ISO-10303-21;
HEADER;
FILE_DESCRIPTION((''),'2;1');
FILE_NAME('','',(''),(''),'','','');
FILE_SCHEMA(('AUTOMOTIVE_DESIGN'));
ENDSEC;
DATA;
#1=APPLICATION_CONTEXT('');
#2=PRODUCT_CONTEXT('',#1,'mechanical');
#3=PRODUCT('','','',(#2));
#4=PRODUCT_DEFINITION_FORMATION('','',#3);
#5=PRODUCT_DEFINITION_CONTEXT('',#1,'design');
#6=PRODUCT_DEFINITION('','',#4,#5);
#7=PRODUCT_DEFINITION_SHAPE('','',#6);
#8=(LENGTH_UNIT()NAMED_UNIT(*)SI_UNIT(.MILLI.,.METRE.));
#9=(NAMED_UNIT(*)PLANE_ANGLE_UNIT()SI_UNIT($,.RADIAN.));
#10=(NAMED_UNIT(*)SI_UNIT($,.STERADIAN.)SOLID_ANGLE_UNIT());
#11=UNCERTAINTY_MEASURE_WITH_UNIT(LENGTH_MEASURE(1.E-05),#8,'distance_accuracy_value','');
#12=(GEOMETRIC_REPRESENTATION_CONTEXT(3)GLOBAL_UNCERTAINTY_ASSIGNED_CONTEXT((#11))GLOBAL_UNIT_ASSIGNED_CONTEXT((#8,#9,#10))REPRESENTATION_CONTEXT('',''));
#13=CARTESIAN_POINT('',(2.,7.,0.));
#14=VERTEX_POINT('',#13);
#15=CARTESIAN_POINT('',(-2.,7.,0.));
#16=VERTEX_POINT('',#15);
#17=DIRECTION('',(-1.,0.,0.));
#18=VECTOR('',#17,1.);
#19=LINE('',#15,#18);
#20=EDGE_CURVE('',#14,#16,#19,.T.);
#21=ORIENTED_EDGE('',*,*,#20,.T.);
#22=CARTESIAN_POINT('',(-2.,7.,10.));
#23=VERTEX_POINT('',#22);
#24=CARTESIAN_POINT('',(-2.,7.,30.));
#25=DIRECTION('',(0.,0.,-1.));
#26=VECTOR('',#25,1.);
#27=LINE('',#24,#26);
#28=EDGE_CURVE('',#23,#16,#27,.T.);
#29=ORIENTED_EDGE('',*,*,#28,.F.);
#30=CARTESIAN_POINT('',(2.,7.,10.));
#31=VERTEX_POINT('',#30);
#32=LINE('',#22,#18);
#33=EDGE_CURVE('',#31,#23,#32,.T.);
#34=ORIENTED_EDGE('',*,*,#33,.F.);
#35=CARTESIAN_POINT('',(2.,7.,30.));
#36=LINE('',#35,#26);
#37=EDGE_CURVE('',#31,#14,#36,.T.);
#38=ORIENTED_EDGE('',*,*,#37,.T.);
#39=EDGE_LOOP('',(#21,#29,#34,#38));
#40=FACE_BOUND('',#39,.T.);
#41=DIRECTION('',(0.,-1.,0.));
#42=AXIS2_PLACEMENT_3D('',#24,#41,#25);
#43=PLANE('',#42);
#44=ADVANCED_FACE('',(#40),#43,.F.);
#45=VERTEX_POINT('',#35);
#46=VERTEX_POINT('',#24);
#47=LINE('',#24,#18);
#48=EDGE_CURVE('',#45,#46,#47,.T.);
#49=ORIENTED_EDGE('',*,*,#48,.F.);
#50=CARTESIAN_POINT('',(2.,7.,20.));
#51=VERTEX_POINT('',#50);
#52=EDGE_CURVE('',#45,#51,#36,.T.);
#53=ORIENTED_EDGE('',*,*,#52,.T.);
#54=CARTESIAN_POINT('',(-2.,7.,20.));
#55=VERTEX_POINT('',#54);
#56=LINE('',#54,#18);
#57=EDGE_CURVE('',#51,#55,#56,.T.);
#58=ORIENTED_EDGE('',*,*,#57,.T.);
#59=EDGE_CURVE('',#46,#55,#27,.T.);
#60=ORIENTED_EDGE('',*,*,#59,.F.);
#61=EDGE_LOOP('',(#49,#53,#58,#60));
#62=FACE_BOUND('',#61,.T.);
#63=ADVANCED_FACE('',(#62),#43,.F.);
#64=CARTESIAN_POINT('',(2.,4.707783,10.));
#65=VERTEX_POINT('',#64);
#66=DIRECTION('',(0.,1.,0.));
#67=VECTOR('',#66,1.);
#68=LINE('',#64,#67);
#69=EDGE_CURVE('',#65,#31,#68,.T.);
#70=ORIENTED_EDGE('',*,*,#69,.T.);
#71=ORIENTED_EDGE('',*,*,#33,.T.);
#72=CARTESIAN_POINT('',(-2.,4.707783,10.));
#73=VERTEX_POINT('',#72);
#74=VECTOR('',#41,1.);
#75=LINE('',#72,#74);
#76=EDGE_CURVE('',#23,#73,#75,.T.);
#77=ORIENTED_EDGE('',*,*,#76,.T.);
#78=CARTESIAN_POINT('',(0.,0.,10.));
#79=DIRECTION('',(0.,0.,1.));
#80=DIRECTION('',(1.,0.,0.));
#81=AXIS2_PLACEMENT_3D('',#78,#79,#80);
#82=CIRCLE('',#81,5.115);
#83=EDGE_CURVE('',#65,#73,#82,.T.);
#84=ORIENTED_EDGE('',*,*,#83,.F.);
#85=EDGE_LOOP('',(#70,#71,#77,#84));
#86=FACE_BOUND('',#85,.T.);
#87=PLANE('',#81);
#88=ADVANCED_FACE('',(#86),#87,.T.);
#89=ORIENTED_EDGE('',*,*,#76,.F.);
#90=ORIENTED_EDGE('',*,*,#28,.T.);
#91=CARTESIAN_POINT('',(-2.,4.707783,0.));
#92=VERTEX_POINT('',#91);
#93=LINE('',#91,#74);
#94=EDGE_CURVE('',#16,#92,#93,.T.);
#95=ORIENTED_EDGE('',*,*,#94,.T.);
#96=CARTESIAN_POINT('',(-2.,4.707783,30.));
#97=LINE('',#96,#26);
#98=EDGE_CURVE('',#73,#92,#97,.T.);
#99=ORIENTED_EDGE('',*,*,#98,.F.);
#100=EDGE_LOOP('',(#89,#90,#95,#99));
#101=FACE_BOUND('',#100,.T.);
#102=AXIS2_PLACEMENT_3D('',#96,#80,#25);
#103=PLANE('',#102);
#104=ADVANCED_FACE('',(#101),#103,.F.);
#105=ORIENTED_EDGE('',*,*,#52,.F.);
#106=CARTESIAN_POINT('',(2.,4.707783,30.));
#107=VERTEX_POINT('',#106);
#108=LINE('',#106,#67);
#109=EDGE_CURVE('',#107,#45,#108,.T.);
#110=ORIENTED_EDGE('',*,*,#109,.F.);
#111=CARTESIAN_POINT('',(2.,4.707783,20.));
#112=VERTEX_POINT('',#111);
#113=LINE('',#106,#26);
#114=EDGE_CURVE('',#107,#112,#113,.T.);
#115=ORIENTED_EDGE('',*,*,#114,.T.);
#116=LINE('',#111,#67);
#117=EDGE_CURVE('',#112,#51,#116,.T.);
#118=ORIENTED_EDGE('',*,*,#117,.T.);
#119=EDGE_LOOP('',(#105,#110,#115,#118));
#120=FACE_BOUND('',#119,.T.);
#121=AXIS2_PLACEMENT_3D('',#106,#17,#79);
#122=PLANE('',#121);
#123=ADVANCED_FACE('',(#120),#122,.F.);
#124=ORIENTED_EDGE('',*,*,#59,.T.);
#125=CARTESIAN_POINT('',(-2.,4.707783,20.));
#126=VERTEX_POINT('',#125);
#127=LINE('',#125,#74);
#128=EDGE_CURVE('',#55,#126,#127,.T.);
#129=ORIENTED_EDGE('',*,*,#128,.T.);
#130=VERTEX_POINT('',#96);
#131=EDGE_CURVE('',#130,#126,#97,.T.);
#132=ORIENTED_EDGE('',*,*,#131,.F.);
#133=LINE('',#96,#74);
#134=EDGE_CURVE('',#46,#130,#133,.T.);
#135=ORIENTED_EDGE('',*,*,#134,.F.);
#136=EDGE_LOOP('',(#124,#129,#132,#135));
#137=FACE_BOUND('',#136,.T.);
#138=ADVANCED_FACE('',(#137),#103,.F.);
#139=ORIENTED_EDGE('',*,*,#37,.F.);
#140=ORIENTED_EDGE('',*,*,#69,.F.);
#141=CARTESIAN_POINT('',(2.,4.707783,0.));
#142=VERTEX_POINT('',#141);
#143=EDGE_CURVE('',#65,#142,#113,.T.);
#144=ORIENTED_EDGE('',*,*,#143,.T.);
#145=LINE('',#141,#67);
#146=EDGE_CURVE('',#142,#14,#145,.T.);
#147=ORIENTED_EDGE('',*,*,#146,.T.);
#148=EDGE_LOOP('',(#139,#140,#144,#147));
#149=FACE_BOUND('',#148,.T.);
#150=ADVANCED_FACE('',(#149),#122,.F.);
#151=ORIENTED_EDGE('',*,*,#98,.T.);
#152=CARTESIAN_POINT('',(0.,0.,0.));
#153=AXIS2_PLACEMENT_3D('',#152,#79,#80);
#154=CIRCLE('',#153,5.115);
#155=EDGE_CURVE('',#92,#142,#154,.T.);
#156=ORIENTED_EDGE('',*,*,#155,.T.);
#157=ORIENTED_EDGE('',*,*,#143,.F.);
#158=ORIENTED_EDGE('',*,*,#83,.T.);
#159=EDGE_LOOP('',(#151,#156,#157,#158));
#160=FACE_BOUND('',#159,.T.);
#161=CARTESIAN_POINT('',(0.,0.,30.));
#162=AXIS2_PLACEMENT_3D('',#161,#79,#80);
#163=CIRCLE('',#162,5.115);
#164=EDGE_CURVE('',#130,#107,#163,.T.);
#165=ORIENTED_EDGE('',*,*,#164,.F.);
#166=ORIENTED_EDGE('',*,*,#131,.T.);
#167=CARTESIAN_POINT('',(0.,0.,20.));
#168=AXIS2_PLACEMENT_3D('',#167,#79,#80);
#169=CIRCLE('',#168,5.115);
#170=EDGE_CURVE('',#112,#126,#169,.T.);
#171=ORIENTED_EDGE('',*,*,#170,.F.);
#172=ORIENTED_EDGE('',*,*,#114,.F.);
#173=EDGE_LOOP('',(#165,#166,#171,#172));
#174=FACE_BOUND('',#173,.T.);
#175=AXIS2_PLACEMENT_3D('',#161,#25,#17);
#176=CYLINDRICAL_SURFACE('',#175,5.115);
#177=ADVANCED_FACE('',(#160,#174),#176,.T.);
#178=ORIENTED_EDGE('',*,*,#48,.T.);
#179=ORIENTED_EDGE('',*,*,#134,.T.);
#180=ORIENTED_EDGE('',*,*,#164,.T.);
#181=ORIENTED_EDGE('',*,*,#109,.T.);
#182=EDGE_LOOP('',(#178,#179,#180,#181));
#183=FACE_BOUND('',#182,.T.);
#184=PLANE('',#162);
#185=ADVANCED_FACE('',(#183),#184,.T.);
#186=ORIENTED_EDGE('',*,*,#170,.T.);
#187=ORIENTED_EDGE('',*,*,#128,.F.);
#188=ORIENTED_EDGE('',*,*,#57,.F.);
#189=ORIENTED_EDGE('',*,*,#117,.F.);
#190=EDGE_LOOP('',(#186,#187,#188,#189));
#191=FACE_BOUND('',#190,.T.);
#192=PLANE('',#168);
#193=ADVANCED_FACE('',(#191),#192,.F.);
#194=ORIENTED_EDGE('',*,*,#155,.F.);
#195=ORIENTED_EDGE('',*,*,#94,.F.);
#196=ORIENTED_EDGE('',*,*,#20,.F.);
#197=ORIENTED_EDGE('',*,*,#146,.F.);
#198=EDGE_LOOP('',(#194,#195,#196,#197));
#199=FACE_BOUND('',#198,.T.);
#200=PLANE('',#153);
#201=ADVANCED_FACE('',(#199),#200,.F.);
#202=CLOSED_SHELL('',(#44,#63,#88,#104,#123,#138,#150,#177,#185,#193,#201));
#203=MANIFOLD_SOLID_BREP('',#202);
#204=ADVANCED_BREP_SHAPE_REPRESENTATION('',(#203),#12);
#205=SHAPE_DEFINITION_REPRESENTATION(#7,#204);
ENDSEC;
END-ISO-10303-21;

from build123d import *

# Parameters (mm, degrees)
BOSS_EXTRUDE1_DEPTH = 30
CUT_EXTRUDE1_START  = -20
SKETCH2_R           = 7.822470446
SKETCH2_R_2         = 5.115
CUT_EXTRUDE1_DEPTH  = 10


with BuildPart() as part:
    # Sketch1 → Boss-Extrude1 (new body)
    with BuildSketch(Plane.XY):
        with BuildLine():
            Line((-2, 4.707783449), (-2, 7))
            Line((-2, 7), (2, 7))
            Line((2, 7), (2, 4.707783449))
            ThreePointArc((2, 4.707783449), (0, -5.115), (-2, 4.707783449))
        make_face()
    extrude(amount=BOSS_EXTRUDE1_DEPTH)

    # Sketch2 → Cut-Extrude1 (cut)
    with BuildSketch(Plane.XY.offset(30).offset(CUT_EXTRUDE1_START)):
        Circle(SKETCH2_R)
        with Locations(Location((0, 0, 0), (0, 0, 113.017162604))):
            Circle(SKETCH2_R_2, mode=Mode.SUBTRACT)
    extrude(amount=CUT_EXTRUDE1_DEPTH, mode=Mode.SUBTRACT)


solid = part.part
